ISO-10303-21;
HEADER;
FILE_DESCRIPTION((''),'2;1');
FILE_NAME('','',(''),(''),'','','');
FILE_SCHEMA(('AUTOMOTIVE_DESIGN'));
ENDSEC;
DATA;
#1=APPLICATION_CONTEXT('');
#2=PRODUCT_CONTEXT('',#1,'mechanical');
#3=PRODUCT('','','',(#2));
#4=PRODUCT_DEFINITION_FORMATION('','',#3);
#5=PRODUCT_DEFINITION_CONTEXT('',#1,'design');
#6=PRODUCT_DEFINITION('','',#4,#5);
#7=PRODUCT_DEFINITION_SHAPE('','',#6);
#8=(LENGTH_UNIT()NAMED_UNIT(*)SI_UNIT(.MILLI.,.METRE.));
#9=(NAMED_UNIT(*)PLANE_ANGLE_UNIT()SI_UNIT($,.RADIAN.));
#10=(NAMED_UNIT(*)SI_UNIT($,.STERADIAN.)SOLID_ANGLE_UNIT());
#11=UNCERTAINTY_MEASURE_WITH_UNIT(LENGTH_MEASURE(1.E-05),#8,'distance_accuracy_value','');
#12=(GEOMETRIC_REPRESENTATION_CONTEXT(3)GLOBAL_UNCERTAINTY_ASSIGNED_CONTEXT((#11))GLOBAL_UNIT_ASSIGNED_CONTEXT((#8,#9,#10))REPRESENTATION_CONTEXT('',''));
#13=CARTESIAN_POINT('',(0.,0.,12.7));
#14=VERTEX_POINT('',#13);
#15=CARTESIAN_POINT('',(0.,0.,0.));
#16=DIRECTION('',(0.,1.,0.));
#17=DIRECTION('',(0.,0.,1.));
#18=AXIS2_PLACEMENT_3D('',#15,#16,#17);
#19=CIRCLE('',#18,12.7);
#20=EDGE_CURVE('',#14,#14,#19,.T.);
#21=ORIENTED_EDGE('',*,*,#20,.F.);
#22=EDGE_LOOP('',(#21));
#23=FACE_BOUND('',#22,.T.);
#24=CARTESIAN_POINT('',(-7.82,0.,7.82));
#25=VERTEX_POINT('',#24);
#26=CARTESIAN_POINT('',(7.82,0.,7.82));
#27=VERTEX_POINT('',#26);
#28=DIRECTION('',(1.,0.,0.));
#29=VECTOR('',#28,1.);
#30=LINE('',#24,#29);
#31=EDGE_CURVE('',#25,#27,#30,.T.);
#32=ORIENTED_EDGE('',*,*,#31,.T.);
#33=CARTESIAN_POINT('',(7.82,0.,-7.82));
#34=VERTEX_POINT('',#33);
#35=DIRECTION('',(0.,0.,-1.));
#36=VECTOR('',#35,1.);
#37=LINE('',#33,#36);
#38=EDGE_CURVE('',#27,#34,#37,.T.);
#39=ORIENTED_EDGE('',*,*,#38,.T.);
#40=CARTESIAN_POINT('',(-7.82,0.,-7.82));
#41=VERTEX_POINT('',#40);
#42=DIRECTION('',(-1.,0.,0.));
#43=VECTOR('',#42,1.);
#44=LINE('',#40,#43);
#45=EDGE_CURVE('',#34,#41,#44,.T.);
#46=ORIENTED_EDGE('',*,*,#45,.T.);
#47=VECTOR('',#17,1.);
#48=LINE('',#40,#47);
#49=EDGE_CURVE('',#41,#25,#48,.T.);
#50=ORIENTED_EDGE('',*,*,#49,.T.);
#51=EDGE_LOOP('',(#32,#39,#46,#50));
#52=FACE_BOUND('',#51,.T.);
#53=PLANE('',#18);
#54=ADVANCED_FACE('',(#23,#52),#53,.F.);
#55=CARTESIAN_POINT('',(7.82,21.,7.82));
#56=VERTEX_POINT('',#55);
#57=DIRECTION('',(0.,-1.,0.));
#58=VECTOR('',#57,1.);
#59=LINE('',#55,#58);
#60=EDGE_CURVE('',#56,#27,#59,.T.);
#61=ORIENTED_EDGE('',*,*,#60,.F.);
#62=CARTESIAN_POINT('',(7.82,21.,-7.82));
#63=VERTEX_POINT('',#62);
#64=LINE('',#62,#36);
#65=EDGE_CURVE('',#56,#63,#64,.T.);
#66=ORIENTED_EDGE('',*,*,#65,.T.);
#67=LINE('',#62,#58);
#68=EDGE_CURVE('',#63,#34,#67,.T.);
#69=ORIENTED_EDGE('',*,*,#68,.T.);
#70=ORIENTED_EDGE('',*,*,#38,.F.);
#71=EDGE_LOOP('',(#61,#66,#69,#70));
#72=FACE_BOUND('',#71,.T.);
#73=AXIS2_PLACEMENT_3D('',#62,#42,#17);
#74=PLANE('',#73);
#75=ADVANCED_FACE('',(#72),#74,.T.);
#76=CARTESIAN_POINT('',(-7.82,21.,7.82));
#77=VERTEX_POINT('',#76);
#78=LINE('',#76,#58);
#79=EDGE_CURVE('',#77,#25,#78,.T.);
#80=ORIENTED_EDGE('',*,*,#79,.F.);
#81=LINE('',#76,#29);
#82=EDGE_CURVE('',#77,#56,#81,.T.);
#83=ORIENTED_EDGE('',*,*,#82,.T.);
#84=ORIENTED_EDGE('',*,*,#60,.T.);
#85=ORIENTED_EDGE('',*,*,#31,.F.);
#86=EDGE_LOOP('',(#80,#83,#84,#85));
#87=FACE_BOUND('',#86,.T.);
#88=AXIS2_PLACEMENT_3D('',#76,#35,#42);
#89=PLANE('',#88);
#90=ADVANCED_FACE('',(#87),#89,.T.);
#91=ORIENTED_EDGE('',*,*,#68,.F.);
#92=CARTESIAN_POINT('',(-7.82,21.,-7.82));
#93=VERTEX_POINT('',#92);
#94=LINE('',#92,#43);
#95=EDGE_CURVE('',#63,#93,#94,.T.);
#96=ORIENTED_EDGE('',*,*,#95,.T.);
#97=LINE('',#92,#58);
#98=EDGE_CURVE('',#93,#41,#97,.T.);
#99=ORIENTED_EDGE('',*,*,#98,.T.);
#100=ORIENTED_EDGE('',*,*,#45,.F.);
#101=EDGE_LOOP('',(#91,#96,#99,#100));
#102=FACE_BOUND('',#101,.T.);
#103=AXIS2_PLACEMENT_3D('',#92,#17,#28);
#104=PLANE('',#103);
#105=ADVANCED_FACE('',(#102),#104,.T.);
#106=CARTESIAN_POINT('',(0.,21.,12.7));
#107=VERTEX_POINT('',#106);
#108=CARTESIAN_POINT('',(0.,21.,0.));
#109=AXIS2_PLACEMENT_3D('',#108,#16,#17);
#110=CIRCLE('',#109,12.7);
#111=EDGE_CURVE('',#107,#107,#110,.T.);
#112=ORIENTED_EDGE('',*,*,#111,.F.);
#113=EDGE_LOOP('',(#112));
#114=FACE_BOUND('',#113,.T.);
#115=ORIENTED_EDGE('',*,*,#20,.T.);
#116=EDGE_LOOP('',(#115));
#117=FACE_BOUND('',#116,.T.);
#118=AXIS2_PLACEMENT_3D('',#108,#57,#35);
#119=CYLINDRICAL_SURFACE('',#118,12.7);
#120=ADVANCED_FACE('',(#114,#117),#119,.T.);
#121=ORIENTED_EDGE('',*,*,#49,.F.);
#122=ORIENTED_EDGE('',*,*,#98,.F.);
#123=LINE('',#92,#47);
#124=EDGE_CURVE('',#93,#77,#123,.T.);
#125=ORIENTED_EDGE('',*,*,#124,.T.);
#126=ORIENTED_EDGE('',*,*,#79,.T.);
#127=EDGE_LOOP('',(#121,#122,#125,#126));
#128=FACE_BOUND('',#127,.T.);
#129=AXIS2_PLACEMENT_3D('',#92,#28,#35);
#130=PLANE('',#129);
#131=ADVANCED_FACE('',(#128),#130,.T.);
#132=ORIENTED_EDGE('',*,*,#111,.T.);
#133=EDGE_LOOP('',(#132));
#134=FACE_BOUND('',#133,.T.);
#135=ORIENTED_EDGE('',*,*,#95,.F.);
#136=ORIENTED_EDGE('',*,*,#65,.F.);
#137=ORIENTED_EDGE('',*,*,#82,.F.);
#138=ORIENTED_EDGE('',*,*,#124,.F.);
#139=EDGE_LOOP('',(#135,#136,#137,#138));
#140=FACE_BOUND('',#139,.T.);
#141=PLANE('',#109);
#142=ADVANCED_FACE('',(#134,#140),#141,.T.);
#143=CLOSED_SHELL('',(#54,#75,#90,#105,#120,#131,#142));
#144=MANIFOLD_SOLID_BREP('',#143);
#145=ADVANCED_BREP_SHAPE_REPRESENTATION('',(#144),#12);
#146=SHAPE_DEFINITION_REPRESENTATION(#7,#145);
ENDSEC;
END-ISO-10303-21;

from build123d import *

# Parameters (mm, degrees)
SKETCH1_R           = 12.7
SKETCH1_W           = 15.64
SKETCH1_H           = 15.64
BOSS_EXTRUDE1_DEPTH = 21


with BuildPart() as part:
    # Sketch1 → Boss-Extrude1 (new body)
    with BuildSketch(Plane(origin=(0, 0, 0), x_dir=(1, 0, 0), z_dir=(0, 1, 0))):
        Circle(SKETCH1_R)
        Rectangle(SKETCH1_W, SKETCH1_H, mode=Mode.SUBTRACT)
    extrude(amount=BOSS_EXTRUDE1_DEPTH)


solid = part.part
